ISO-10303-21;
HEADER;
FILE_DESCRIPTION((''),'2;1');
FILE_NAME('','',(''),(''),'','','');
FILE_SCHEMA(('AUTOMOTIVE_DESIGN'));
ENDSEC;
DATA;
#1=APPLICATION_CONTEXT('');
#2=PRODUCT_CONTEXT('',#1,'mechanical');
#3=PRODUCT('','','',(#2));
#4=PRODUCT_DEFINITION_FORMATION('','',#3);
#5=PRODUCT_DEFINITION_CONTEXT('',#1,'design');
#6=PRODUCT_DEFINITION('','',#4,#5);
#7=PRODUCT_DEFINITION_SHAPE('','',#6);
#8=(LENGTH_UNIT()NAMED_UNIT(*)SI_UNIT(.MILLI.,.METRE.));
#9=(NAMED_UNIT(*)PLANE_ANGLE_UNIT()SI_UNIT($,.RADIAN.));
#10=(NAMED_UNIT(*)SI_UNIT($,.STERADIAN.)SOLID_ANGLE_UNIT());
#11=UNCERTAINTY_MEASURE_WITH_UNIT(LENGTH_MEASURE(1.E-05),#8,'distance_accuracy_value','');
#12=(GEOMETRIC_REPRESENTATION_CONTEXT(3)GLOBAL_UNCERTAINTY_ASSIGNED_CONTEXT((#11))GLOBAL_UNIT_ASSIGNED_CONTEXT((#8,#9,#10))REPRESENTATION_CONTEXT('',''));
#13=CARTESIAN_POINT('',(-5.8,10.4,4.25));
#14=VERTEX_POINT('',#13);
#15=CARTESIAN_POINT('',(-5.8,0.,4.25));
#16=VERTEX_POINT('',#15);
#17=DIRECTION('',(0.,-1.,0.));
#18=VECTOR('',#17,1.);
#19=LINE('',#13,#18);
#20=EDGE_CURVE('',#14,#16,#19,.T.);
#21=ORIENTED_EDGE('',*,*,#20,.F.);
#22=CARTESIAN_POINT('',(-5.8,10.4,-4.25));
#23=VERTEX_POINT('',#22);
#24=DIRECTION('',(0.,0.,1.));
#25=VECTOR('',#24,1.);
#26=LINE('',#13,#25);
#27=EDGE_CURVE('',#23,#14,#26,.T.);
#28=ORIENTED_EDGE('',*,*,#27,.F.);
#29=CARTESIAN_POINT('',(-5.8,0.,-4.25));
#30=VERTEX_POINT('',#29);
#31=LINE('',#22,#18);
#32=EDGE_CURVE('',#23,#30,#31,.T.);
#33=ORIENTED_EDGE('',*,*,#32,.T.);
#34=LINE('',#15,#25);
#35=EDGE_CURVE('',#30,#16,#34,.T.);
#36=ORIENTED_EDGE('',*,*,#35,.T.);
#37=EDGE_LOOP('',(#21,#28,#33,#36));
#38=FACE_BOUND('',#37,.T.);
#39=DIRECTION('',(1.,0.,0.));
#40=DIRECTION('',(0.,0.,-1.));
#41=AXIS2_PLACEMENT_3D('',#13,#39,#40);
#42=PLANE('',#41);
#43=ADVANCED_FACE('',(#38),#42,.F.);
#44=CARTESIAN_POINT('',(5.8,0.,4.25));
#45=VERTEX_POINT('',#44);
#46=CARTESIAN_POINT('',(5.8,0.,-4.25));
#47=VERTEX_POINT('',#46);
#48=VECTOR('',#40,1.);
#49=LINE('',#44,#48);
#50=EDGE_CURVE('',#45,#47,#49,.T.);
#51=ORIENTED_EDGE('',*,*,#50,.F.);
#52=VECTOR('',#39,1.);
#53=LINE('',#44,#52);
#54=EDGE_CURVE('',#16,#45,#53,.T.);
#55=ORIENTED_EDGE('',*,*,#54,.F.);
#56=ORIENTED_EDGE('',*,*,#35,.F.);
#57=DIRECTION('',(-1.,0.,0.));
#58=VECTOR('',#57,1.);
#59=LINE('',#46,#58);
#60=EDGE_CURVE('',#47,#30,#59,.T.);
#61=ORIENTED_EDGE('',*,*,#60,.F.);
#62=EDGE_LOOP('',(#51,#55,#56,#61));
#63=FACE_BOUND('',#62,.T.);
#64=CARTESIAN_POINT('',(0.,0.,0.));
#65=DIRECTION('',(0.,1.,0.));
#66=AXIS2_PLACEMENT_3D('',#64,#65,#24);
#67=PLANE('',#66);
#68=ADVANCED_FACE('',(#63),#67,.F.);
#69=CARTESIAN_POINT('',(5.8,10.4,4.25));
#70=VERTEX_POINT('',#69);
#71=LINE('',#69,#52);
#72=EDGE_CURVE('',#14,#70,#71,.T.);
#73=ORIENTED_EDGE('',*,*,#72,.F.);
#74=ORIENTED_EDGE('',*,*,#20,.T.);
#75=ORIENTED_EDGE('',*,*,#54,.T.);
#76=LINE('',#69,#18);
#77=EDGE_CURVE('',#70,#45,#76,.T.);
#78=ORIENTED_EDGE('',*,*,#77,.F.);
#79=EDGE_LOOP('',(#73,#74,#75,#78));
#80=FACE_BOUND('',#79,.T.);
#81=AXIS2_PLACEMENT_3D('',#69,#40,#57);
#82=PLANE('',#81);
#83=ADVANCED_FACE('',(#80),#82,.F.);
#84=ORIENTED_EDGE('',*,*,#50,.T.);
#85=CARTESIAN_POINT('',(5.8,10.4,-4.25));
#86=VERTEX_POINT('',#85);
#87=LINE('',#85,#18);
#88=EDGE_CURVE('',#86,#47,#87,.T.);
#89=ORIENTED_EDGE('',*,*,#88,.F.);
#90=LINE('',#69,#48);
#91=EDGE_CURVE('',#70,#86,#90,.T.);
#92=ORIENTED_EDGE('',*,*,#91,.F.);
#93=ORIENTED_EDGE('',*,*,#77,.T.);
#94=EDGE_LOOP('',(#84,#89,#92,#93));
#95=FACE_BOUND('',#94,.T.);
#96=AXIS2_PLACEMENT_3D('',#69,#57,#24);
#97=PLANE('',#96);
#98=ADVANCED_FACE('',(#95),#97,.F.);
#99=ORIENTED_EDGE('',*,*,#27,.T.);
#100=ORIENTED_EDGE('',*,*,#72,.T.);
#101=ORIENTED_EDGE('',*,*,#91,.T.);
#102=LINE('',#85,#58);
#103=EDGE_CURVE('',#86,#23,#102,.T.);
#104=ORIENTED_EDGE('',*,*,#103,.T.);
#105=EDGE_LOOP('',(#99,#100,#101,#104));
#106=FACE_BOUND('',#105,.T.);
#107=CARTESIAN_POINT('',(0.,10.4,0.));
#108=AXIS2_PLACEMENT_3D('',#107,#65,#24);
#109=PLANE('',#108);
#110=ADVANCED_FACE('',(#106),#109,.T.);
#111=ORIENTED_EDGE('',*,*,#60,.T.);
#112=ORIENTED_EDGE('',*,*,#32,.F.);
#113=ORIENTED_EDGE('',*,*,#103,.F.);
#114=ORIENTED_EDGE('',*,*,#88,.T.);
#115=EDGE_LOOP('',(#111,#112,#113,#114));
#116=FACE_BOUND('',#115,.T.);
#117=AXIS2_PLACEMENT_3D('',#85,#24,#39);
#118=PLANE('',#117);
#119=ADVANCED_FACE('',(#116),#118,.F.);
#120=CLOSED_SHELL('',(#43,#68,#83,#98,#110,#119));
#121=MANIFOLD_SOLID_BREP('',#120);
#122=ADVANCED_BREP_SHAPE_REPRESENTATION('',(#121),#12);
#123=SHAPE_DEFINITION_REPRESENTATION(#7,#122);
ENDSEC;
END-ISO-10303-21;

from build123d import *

# Parameters (mm, degrees)
SKETCH1_W           = 11.6
SKETCH1_H           = 8.5
BOSS_EXTRUDE1_DEPTH = 10.4


with BuildPart() as part:
    # Sketch1 → Boss-Extrude1 (new body)
    with BuildSketch(Plane(origin=(0, 0, 0), x_dir=(1, 0, 0), z_dir=(0, 1, 0))):
        Rectangle(SKETCH1_W, SKETCH1_H)
    extrude(amount=BOSS_EXTRUDE1_DEPTH)


solid = part.part
